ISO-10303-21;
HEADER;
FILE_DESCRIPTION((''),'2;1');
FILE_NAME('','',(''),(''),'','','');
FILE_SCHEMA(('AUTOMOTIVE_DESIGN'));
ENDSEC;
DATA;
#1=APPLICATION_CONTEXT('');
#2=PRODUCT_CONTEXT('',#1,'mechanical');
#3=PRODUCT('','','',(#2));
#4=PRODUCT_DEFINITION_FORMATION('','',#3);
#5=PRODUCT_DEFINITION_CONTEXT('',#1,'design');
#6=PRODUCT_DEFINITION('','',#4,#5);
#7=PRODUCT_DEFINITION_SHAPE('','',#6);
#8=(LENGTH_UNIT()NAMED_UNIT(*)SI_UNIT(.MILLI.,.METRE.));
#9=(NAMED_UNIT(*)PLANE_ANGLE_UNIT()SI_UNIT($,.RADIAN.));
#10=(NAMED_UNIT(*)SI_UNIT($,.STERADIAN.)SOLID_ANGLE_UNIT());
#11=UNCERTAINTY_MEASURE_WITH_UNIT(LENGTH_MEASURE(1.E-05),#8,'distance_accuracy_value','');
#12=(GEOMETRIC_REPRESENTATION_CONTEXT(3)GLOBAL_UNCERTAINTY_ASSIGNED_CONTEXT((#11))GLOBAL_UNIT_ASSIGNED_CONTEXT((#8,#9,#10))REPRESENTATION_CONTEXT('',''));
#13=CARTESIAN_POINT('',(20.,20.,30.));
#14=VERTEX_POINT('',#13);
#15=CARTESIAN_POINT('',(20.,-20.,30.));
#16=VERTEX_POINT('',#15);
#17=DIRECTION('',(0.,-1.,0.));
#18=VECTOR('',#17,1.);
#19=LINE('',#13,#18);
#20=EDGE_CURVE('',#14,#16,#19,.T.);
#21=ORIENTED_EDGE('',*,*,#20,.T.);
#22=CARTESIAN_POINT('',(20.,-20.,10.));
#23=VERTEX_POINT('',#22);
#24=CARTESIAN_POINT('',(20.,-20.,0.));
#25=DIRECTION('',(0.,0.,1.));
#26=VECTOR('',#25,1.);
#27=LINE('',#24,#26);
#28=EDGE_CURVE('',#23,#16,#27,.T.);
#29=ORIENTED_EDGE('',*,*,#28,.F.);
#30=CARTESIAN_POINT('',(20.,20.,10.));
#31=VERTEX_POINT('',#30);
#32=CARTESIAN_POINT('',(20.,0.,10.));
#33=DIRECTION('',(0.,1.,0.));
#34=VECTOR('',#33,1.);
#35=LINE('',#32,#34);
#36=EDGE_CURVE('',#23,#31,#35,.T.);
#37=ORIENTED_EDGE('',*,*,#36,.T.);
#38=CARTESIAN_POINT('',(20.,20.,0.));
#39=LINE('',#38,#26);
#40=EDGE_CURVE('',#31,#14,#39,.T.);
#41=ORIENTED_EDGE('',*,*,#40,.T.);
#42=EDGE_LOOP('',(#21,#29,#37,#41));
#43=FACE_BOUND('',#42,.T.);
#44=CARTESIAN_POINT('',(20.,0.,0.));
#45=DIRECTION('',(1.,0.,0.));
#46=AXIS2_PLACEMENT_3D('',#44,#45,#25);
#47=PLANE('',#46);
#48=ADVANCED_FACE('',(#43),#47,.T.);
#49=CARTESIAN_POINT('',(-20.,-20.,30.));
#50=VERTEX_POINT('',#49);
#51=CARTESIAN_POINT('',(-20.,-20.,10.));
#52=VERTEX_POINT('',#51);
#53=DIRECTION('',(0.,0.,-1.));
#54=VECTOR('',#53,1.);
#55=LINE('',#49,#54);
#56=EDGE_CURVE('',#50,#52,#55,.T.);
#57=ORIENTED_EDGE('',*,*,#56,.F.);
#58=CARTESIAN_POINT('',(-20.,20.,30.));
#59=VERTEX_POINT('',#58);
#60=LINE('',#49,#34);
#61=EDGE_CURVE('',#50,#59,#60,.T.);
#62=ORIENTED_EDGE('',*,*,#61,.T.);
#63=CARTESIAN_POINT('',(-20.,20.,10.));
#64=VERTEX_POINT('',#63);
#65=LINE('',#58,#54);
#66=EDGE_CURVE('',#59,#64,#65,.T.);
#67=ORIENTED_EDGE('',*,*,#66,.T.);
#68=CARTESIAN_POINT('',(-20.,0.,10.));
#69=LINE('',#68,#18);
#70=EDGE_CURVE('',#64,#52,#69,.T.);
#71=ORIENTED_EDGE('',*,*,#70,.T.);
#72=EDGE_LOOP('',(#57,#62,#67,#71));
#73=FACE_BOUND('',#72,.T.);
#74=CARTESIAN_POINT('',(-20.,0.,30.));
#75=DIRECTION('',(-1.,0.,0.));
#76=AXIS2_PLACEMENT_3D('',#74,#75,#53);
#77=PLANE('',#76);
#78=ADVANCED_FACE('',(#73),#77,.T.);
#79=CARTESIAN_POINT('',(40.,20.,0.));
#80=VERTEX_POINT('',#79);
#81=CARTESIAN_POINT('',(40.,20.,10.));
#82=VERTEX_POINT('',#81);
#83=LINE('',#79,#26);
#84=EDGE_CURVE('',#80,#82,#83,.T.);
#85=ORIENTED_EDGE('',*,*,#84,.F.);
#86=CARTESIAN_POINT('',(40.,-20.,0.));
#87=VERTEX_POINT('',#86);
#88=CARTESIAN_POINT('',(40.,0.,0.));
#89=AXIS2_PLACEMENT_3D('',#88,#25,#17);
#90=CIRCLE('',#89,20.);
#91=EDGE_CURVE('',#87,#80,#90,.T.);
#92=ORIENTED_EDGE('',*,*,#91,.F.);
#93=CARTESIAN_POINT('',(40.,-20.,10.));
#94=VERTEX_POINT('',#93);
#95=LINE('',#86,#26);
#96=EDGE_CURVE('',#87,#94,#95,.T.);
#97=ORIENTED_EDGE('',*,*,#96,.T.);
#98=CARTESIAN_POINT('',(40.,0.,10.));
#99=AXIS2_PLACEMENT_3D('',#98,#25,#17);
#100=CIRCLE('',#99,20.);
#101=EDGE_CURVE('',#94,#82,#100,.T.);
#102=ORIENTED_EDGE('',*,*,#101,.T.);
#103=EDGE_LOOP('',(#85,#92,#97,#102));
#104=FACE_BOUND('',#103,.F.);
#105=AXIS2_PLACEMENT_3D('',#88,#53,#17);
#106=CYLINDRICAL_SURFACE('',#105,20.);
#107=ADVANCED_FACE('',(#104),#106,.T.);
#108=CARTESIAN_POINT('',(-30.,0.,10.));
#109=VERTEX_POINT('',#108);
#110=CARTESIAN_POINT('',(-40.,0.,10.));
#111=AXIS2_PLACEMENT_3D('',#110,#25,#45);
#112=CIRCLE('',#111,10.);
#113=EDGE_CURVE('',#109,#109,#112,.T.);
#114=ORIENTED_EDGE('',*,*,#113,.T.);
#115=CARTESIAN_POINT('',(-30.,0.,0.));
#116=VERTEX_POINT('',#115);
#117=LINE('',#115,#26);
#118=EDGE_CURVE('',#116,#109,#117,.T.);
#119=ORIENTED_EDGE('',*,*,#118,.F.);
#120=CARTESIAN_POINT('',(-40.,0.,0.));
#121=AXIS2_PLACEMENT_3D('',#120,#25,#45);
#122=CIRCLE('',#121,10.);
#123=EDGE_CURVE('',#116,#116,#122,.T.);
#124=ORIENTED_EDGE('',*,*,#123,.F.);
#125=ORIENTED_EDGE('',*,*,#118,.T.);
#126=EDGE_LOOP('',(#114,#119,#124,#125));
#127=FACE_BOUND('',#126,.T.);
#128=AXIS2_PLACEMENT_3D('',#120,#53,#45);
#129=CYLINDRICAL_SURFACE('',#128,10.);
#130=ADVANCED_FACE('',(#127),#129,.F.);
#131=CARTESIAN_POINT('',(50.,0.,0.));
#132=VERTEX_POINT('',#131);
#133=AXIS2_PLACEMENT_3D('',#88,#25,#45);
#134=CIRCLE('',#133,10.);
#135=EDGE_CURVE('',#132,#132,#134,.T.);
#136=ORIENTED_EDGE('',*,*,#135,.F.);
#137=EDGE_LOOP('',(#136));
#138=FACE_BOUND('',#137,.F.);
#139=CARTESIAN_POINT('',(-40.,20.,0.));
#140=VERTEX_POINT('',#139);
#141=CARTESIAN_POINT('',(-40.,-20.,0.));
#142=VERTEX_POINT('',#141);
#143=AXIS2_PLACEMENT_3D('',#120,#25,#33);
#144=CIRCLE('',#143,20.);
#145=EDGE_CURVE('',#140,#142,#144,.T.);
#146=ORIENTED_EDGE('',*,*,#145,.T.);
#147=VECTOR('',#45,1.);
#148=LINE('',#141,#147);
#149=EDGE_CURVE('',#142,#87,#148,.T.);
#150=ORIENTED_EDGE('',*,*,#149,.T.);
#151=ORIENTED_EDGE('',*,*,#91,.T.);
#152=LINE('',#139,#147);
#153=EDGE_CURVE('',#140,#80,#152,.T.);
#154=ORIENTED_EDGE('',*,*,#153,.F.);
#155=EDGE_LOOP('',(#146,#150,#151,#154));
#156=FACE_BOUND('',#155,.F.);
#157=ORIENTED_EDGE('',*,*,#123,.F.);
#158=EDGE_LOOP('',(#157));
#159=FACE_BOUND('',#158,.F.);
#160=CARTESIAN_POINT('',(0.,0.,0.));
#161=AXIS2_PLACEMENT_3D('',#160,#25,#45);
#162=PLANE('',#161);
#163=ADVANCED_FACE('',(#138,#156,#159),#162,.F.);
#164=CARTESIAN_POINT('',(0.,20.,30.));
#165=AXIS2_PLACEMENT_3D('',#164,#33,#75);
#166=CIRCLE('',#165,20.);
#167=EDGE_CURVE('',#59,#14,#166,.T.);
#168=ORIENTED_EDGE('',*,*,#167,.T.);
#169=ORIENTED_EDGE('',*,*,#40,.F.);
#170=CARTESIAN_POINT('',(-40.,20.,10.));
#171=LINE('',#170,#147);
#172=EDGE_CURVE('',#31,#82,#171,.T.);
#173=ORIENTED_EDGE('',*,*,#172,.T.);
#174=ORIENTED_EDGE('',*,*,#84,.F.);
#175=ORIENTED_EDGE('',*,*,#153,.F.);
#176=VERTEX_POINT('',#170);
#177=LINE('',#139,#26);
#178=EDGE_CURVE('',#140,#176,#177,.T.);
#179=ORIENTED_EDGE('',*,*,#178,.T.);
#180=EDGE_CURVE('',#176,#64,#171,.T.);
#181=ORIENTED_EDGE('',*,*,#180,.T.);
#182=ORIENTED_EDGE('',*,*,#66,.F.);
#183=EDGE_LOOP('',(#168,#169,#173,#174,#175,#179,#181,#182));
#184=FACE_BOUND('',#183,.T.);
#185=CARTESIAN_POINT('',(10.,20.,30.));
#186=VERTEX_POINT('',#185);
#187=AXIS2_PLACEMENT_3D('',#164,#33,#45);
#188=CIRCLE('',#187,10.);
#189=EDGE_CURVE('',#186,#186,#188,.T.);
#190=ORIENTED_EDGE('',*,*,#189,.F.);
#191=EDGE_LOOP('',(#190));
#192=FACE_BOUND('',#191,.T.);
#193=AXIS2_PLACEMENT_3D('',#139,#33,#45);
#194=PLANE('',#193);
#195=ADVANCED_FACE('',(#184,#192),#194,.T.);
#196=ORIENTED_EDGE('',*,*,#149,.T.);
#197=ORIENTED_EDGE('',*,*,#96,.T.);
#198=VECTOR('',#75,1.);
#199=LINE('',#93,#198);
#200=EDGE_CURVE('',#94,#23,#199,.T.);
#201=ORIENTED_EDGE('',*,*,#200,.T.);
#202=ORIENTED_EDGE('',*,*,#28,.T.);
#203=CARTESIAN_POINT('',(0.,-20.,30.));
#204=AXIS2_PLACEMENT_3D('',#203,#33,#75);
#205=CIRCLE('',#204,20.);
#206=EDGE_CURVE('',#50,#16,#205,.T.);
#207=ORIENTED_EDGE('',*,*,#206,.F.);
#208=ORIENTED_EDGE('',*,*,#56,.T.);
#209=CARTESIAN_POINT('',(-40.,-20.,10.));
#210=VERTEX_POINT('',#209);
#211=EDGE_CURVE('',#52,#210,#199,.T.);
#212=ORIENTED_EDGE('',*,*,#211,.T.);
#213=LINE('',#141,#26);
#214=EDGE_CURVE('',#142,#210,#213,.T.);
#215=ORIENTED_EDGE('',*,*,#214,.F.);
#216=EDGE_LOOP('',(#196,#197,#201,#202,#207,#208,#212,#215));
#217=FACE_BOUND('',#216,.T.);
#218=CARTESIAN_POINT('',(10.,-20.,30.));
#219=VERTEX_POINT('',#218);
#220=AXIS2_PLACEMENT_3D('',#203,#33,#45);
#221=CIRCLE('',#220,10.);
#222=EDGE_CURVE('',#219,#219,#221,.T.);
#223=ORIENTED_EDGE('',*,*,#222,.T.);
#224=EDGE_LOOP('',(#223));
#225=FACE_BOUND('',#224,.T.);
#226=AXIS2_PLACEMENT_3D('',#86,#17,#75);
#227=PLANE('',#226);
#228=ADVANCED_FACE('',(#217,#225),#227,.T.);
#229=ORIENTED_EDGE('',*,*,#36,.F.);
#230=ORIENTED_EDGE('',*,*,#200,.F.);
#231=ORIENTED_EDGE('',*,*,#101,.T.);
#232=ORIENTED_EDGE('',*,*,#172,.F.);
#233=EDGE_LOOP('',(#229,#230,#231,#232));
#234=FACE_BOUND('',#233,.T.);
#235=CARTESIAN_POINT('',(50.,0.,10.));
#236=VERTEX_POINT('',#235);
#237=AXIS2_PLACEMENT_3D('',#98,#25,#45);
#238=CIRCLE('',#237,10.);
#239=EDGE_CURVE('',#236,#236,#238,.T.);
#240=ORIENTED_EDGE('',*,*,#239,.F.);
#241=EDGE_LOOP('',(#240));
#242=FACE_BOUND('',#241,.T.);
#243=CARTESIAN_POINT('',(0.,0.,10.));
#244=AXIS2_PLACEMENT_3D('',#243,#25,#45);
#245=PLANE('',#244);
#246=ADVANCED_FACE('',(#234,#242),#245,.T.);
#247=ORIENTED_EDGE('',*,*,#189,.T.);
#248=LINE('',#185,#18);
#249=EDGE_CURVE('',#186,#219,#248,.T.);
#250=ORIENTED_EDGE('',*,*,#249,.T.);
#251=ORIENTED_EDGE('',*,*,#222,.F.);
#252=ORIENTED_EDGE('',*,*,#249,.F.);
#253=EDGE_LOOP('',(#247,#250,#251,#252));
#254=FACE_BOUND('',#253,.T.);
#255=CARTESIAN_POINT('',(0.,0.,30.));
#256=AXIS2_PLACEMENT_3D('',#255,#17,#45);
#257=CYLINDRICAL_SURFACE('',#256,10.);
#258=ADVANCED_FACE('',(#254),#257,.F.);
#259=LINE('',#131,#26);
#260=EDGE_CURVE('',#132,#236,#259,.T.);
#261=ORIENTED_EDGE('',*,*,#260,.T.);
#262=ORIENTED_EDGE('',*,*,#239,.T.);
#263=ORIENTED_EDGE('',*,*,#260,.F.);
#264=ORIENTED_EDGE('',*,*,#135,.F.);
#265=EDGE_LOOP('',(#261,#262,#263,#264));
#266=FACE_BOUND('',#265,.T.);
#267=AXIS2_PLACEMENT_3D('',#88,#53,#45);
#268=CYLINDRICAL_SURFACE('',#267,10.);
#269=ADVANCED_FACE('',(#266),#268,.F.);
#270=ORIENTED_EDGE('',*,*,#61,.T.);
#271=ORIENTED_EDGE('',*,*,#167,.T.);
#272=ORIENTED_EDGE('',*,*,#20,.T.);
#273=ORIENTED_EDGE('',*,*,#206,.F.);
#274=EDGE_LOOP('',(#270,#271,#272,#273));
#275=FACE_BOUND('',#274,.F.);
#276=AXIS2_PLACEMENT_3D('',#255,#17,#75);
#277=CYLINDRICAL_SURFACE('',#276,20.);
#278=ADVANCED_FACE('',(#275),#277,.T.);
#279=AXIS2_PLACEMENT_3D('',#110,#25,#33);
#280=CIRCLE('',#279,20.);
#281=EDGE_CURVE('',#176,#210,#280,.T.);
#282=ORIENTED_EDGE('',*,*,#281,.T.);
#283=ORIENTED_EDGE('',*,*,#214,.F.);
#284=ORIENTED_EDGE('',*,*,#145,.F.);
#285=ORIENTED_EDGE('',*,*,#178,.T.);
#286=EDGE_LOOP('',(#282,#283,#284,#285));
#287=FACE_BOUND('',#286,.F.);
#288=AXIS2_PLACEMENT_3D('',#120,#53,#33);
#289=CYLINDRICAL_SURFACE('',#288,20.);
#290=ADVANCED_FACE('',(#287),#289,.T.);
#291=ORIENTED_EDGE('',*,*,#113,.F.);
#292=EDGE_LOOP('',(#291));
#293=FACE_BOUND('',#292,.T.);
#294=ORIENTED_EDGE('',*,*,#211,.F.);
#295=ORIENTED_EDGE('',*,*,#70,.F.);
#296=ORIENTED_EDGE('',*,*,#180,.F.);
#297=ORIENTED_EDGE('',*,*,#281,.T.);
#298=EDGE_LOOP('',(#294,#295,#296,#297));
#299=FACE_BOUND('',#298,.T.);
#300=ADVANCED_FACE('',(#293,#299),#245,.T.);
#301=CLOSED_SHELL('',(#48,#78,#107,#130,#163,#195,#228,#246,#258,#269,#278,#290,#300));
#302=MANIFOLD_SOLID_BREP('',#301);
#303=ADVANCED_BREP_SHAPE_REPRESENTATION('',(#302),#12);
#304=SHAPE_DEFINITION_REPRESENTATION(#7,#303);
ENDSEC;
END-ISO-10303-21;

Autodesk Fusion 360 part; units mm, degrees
sketch "Sketch1" plane through (0, 0, 0) normal (0, 0, 1) x (1, 0, 0)
  line L0 (40, -20) -> (-40, -20)
  line L1 (-40, 20) -> (40, 20)
  circle A0 centre (-40, 0) radius 10
  circle A1 centre (40, 0) radius 10
  arc A2 (40, -20) -> (40, 20) centre (40, 0) ccw
  arc A3 (-40, 20) -> (-40, -20) centre (-40, 0) ccw
  dimension "d1" = 80
  dimension "d2" = 40
  dimension "d5" = 40
  dimension "d6" = 40
extrude "Extrude1" add sketch "Sketch1" along normal blind 10
sketch "Sketch2" plane through (0, 0, 0) normal (0, 1, 0) x (1, 0, 0)
  line L0 (-20, 0) -> (20, 0)
  line L1 (20, 0) -> (20, -30)
  line L2 (-20, -30) -> (-20, 0)
  line L3 (-40, 0) -> (-40, -10)
  circle A0 centre (0, -30) radius 10
  arc A1 (-20, -30) -> (20, -30) centre (0, -30) ccw
  dimension "d11" = 40
  dimension "d12" = 30
  dimension "d13" = 20
  dimension "d14" = 40
  dimension "d15" = 20
extrude "Extrude2" add sketch "Sketch2" along normal mid plane 40
